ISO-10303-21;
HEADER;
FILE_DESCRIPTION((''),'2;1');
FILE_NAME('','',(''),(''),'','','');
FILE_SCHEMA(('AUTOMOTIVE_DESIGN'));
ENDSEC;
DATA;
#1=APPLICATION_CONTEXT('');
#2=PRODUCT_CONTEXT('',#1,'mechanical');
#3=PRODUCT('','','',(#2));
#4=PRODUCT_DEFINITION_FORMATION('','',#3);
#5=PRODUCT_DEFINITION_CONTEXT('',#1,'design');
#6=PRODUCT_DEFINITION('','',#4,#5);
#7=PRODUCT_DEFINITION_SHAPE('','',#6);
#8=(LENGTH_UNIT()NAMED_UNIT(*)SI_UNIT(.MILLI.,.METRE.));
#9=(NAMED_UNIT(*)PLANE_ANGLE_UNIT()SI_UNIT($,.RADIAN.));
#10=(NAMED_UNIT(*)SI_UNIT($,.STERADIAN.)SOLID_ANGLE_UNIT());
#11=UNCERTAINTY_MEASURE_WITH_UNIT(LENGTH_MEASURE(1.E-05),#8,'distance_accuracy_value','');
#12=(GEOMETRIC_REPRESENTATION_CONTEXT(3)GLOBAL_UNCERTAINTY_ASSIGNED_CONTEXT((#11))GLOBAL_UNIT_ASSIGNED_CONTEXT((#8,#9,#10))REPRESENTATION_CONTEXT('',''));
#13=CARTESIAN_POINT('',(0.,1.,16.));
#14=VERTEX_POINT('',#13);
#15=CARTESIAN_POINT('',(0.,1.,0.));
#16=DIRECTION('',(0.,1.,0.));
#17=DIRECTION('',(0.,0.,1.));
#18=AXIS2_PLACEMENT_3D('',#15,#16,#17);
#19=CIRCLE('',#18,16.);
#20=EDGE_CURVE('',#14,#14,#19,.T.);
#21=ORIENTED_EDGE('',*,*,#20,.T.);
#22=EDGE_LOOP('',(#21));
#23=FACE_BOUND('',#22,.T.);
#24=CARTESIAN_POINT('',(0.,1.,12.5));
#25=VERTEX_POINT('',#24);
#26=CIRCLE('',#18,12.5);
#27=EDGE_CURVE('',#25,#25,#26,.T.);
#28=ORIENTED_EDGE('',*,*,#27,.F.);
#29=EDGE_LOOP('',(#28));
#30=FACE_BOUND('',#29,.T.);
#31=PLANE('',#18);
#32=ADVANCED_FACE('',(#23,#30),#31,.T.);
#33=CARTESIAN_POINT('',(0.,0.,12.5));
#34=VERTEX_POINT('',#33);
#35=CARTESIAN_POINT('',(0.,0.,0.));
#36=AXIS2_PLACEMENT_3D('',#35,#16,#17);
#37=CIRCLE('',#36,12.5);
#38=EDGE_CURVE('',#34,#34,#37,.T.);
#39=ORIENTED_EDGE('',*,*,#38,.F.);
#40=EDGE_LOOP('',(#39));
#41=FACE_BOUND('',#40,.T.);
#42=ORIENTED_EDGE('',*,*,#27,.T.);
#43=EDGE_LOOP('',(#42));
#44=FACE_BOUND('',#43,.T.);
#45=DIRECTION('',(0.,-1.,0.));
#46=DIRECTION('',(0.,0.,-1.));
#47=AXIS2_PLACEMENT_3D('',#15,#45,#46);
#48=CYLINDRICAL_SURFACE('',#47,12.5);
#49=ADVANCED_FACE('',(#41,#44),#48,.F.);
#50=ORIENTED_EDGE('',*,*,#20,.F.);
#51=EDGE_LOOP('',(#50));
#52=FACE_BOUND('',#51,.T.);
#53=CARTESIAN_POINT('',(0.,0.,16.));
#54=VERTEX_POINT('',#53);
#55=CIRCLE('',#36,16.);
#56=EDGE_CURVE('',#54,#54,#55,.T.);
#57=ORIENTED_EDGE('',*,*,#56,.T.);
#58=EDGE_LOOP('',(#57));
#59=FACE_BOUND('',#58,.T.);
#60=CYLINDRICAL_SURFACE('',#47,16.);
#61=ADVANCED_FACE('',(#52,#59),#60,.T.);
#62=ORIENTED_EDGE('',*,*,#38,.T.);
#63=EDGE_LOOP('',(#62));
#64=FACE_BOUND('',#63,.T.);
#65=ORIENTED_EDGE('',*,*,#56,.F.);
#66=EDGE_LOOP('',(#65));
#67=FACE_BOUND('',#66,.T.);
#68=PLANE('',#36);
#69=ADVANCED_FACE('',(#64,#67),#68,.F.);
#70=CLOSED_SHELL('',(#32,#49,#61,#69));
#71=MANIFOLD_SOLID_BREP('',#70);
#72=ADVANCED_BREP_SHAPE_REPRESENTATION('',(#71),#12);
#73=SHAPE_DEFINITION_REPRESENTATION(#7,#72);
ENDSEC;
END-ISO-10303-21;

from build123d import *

# Parameters (mm, degrees)
SKETCH_1_R      = 16
SKETCH_1_R_2    = 12.5
EXTRUDE_1_DEPTH = 1


with BuildPart() as part:
    # Эскиз1 → Бобышка-Вытянуть1 (new body)
    with BuildSketch(Plane(origin=(0, 0, 0), x_dir=(1, 0, 0), z_dir=(0, 1, 0))):
        with Locations(Location((0, 0, 0), (0, 0, 270))):
            Circle(SKETCH_1_R)
        with Locations(Location((0, 0, 0), (0, 0, 270))):
            Circle(SKETCH_1_R_2, mode=Mode.SUBTRACT)
    extrude(amount=EXTRUDE_1_DEPTH)


solid = part.part
